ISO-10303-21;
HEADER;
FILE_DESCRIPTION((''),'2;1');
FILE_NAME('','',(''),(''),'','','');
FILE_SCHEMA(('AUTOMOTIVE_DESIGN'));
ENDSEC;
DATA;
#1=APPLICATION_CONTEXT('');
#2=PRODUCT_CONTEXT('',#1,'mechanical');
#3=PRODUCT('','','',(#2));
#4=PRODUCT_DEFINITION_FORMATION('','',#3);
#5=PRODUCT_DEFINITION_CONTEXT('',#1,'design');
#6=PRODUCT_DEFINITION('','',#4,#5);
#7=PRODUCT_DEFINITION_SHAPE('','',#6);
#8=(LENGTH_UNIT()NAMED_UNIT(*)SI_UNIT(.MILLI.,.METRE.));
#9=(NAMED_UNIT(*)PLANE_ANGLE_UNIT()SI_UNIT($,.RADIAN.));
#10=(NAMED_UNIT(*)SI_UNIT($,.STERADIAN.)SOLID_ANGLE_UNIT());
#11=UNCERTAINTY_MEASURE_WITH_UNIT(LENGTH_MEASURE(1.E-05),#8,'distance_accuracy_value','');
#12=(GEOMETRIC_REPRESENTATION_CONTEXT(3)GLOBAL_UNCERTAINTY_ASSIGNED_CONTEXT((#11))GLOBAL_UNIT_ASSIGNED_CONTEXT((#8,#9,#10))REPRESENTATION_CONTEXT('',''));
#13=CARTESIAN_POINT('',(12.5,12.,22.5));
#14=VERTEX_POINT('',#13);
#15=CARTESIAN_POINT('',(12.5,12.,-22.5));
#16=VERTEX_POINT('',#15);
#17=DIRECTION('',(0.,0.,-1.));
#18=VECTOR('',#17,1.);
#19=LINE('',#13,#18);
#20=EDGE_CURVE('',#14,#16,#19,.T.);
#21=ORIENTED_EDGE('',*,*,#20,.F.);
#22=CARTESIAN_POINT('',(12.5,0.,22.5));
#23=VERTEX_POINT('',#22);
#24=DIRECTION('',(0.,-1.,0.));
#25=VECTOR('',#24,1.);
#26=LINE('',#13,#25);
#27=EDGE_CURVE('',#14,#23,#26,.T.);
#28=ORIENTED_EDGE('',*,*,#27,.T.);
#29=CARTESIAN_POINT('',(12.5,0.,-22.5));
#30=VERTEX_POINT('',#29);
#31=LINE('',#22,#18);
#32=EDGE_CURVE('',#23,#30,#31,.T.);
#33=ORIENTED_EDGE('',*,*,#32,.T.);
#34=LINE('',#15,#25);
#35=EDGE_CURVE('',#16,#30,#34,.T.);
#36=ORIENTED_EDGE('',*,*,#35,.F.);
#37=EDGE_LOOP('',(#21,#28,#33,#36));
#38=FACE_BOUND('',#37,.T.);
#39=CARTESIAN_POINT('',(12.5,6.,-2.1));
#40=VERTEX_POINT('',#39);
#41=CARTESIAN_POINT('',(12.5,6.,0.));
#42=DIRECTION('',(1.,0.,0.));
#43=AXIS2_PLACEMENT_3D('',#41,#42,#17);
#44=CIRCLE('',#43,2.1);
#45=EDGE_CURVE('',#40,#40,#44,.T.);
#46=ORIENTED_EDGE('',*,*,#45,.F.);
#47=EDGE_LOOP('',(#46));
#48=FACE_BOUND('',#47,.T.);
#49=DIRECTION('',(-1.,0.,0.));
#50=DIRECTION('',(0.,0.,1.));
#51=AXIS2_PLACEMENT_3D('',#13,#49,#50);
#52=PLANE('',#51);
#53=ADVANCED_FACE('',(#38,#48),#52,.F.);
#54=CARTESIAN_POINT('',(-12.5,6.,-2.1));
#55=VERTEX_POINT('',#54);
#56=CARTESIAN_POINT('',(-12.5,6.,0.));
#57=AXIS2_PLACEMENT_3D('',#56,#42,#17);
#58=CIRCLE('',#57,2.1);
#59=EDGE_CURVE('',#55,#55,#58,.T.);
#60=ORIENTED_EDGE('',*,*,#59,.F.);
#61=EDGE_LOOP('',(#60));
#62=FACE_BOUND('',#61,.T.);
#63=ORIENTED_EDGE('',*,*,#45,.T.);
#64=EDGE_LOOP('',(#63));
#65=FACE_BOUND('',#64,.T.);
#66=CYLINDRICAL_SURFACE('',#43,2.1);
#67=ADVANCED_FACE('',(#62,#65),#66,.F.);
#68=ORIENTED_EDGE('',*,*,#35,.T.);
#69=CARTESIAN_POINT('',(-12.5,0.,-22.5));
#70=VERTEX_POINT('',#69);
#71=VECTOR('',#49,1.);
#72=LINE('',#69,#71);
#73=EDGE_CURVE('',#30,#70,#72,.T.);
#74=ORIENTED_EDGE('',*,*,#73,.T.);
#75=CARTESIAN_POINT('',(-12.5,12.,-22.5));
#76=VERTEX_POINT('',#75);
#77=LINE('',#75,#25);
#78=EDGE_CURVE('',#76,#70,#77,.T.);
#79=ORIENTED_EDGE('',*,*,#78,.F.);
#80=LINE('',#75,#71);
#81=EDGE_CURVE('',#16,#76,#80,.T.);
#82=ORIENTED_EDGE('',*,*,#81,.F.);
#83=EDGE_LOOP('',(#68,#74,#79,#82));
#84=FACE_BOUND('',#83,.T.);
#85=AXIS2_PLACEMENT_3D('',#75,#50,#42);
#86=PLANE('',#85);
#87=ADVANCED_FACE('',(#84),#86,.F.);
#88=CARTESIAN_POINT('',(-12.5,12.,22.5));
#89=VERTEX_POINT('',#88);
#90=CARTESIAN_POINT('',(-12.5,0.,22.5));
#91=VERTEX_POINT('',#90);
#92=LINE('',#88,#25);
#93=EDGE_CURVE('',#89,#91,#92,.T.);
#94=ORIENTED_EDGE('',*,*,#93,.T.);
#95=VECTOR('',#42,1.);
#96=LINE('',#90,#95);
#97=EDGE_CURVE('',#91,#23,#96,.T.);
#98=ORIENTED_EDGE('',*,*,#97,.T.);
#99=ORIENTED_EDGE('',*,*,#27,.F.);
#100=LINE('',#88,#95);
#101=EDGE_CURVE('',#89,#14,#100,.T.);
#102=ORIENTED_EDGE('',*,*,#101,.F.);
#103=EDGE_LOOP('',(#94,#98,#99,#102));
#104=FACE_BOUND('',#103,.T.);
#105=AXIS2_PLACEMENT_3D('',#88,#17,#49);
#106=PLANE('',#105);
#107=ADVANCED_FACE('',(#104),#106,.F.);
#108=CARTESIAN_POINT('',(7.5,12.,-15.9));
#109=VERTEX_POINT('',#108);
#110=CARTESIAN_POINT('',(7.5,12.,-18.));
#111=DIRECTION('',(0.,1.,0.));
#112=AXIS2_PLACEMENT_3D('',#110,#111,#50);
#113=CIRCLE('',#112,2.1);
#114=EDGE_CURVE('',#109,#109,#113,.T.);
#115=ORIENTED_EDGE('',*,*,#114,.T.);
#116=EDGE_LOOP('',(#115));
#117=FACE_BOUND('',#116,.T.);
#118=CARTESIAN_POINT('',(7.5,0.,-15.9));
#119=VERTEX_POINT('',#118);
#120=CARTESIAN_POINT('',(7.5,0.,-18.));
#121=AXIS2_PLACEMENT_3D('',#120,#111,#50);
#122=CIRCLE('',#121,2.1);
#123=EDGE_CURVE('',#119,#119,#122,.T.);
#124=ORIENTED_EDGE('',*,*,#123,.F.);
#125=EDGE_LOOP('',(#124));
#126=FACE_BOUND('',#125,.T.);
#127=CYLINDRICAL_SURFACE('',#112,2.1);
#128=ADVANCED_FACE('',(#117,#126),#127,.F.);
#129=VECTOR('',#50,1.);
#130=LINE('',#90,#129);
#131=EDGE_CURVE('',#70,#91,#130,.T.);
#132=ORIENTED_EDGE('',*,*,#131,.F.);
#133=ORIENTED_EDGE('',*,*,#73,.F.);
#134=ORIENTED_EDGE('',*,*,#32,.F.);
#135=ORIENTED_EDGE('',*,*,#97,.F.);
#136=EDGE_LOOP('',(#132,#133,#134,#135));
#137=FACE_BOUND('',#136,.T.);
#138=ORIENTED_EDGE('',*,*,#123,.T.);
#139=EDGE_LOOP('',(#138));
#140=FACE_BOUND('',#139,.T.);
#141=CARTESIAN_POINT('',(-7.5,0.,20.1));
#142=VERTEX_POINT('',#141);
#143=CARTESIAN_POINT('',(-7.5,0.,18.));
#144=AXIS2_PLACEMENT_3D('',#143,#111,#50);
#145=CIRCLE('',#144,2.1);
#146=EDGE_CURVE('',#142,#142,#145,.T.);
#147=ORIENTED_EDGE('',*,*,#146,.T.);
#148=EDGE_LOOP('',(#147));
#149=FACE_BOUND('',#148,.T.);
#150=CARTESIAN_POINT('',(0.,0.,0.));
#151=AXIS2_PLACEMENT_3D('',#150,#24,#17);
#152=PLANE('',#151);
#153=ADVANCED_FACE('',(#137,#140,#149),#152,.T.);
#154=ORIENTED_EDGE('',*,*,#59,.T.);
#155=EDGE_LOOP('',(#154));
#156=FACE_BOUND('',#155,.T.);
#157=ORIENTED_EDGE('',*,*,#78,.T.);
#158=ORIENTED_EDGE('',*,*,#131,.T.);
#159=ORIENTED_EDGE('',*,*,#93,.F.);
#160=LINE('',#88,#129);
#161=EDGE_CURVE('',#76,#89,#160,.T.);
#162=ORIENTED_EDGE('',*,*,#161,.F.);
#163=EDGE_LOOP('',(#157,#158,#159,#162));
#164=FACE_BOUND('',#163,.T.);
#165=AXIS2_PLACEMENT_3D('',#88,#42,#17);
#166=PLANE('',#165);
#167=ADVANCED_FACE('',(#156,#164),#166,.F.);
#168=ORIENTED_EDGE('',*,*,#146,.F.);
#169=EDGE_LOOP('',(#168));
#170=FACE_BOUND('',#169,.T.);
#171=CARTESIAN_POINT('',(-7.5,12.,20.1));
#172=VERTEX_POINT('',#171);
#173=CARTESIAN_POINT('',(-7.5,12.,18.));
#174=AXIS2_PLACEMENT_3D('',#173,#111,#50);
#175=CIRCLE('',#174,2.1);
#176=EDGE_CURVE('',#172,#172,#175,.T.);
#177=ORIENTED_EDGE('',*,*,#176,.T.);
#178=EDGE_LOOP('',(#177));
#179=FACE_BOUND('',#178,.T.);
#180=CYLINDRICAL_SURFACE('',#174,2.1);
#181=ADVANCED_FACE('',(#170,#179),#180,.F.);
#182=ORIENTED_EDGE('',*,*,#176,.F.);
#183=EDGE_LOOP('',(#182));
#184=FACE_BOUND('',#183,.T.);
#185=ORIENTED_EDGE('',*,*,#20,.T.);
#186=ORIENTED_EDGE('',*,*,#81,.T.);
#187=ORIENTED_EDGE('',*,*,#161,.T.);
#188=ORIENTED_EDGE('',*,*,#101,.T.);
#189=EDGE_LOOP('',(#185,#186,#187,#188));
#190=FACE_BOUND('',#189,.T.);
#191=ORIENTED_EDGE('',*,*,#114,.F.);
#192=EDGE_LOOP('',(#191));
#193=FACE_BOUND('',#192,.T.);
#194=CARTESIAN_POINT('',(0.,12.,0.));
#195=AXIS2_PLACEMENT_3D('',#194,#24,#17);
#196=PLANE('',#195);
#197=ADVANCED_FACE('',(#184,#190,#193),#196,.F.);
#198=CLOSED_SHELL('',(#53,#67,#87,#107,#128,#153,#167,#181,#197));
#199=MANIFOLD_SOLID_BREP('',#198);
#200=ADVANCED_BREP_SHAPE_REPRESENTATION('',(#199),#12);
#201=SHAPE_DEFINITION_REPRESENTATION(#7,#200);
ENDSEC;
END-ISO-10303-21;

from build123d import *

# Parameters (mm, degrees)
SKETCH1_W           = 25
SKETCH1_H           = 45
BOSS_EXTRUDE1_DEPTH = 12
M5_TAPPED_HOLE1_D   = 4.2
M5_TAPPED_HOLE2_D   = 4.2


with BuildPart() as part:
    # Sketch1 → Boss-Extrude1 (new body)
    with BuildSketch(Plane(origin=(0, 0, 0), x_dir=(1, 0, 0), z_dir=(0, 1, 0))):
        Rectangle(SKETCH1_W, SKETCH1_H)
    extrude(amount=BOSS_EXTRUDE1_DEPTH)

    # M5 Tapped Hole1 (through all)
    with Locations(Plane(origin=(0, 12, 0), x_dir=(1, 0, 0), z_dir=(0, 1, 0))):
        with Locations((7.5, 18), (-7.5, -18)):
            Hole(M5_TAPPED_HOLE1_D / 2)

    # M5 Tapped Hole2 (through all)
    with Locations(Plane(origin=(12.5, 0, 0), x_dir=(0, 0, -1), z_dir=(1, 0, 0))):
        with Locations((0, 6)):
            Hole(M5_TAPPED_HOLE2_D / 2)


solid = part.part
